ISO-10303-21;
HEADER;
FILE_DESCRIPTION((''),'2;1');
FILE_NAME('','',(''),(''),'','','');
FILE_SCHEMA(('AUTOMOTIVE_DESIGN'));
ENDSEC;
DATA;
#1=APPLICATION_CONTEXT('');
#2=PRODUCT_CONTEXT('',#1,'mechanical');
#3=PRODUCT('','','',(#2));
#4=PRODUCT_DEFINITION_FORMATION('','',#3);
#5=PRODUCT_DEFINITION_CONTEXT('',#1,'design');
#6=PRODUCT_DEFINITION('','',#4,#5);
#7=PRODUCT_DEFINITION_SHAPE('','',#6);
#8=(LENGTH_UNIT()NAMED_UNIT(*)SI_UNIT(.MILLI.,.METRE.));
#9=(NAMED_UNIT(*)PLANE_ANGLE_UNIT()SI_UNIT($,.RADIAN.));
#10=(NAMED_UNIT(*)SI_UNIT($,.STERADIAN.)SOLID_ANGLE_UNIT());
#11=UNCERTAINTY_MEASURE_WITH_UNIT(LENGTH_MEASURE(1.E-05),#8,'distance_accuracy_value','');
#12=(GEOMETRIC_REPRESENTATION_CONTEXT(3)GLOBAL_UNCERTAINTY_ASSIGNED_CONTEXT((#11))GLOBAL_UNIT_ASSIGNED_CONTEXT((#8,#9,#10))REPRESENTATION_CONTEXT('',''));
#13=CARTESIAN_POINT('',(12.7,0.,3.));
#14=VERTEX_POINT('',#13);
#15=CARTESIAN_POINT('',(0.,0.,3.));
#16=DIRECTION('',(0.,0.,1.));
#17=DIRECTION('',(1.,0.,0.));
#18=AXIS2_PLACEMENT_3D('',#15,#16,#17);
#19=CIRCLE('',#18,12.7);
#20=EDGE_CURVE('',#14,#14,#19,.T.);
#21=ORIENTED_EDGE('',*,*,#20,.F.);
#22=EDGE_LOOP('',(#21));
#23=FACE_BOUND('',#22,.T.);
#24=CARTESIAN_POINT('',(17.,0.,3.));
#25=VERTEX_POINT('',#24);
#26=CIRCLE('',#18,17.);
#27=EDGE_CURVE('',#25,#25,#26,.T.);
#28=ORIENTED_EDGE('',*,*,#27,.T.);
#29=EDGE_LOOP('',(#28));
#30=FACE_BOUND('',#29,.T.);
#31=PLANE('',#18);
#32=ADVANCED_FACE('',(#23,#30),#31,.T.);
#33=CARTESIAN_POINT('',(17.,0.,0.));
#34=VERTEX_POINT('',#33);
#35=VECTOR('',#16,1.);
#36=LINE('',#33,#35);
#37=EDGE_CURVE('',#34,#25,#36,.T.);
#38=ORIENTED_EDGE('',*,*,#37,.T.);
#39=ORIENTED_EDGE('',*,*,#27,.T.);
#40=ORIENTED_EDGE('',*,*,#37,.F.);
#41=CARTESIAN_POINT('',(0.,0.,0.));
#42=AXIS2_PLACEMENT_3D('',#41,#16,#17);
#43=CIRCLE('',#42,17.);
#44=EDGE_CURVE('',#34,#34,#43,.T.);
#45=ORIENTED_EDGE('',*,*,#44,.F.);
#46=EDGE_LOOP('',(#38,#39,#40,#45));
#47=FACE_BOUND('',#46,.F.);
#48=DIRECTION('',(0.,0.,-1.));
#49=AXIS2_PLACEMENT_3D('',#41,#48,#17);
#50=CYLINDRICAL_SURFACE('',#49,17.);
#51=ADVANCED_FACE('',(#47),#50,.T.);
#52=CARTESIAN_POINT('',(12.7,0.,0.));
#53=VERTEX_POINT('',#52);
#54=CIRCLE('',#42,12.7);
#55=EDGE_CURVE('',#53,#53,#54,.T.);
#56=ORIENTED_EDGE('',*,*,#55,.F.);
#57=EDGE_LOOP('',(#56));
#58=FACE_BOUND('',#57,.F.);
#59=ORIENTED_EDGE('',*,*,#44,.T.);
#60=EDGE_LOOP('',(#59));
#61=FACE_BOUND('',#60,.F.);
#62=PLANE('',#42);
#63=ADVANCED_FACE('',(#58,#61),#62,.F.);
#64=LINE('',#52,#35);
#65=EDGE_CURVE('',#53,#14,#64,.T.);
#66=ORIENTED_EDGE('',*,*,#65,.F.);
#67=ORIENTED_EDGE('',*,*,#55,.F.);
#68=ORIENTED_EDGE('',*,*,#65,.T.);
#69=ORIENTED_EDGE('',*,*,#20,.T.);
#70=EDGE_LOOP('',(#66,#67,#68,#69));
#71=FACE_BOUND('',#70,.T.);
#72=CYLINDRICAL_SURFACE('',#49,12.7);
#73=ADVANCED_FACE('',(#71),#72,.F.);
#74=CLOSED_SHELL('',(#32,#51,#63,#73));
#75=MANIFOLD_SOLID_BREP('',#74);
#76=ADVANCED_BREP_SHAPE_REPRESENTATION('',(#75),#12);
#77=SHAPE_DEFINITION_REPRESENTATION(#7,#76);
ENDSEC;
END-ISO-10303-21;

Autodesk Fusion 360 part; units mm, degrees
sketch "Sketch1" plane through (0, 0, 0) normal (0, 0, 1) x (1, 0, 0)
  circle A0 centre (0, 0) radius 12.7
  circle A1 centre (0, 0) radius 17
  dimension "d1" = 25.4
  dimension "d2" = 34
extrude "Extrude1" add sketch "Sketch1" along normal blind 3
